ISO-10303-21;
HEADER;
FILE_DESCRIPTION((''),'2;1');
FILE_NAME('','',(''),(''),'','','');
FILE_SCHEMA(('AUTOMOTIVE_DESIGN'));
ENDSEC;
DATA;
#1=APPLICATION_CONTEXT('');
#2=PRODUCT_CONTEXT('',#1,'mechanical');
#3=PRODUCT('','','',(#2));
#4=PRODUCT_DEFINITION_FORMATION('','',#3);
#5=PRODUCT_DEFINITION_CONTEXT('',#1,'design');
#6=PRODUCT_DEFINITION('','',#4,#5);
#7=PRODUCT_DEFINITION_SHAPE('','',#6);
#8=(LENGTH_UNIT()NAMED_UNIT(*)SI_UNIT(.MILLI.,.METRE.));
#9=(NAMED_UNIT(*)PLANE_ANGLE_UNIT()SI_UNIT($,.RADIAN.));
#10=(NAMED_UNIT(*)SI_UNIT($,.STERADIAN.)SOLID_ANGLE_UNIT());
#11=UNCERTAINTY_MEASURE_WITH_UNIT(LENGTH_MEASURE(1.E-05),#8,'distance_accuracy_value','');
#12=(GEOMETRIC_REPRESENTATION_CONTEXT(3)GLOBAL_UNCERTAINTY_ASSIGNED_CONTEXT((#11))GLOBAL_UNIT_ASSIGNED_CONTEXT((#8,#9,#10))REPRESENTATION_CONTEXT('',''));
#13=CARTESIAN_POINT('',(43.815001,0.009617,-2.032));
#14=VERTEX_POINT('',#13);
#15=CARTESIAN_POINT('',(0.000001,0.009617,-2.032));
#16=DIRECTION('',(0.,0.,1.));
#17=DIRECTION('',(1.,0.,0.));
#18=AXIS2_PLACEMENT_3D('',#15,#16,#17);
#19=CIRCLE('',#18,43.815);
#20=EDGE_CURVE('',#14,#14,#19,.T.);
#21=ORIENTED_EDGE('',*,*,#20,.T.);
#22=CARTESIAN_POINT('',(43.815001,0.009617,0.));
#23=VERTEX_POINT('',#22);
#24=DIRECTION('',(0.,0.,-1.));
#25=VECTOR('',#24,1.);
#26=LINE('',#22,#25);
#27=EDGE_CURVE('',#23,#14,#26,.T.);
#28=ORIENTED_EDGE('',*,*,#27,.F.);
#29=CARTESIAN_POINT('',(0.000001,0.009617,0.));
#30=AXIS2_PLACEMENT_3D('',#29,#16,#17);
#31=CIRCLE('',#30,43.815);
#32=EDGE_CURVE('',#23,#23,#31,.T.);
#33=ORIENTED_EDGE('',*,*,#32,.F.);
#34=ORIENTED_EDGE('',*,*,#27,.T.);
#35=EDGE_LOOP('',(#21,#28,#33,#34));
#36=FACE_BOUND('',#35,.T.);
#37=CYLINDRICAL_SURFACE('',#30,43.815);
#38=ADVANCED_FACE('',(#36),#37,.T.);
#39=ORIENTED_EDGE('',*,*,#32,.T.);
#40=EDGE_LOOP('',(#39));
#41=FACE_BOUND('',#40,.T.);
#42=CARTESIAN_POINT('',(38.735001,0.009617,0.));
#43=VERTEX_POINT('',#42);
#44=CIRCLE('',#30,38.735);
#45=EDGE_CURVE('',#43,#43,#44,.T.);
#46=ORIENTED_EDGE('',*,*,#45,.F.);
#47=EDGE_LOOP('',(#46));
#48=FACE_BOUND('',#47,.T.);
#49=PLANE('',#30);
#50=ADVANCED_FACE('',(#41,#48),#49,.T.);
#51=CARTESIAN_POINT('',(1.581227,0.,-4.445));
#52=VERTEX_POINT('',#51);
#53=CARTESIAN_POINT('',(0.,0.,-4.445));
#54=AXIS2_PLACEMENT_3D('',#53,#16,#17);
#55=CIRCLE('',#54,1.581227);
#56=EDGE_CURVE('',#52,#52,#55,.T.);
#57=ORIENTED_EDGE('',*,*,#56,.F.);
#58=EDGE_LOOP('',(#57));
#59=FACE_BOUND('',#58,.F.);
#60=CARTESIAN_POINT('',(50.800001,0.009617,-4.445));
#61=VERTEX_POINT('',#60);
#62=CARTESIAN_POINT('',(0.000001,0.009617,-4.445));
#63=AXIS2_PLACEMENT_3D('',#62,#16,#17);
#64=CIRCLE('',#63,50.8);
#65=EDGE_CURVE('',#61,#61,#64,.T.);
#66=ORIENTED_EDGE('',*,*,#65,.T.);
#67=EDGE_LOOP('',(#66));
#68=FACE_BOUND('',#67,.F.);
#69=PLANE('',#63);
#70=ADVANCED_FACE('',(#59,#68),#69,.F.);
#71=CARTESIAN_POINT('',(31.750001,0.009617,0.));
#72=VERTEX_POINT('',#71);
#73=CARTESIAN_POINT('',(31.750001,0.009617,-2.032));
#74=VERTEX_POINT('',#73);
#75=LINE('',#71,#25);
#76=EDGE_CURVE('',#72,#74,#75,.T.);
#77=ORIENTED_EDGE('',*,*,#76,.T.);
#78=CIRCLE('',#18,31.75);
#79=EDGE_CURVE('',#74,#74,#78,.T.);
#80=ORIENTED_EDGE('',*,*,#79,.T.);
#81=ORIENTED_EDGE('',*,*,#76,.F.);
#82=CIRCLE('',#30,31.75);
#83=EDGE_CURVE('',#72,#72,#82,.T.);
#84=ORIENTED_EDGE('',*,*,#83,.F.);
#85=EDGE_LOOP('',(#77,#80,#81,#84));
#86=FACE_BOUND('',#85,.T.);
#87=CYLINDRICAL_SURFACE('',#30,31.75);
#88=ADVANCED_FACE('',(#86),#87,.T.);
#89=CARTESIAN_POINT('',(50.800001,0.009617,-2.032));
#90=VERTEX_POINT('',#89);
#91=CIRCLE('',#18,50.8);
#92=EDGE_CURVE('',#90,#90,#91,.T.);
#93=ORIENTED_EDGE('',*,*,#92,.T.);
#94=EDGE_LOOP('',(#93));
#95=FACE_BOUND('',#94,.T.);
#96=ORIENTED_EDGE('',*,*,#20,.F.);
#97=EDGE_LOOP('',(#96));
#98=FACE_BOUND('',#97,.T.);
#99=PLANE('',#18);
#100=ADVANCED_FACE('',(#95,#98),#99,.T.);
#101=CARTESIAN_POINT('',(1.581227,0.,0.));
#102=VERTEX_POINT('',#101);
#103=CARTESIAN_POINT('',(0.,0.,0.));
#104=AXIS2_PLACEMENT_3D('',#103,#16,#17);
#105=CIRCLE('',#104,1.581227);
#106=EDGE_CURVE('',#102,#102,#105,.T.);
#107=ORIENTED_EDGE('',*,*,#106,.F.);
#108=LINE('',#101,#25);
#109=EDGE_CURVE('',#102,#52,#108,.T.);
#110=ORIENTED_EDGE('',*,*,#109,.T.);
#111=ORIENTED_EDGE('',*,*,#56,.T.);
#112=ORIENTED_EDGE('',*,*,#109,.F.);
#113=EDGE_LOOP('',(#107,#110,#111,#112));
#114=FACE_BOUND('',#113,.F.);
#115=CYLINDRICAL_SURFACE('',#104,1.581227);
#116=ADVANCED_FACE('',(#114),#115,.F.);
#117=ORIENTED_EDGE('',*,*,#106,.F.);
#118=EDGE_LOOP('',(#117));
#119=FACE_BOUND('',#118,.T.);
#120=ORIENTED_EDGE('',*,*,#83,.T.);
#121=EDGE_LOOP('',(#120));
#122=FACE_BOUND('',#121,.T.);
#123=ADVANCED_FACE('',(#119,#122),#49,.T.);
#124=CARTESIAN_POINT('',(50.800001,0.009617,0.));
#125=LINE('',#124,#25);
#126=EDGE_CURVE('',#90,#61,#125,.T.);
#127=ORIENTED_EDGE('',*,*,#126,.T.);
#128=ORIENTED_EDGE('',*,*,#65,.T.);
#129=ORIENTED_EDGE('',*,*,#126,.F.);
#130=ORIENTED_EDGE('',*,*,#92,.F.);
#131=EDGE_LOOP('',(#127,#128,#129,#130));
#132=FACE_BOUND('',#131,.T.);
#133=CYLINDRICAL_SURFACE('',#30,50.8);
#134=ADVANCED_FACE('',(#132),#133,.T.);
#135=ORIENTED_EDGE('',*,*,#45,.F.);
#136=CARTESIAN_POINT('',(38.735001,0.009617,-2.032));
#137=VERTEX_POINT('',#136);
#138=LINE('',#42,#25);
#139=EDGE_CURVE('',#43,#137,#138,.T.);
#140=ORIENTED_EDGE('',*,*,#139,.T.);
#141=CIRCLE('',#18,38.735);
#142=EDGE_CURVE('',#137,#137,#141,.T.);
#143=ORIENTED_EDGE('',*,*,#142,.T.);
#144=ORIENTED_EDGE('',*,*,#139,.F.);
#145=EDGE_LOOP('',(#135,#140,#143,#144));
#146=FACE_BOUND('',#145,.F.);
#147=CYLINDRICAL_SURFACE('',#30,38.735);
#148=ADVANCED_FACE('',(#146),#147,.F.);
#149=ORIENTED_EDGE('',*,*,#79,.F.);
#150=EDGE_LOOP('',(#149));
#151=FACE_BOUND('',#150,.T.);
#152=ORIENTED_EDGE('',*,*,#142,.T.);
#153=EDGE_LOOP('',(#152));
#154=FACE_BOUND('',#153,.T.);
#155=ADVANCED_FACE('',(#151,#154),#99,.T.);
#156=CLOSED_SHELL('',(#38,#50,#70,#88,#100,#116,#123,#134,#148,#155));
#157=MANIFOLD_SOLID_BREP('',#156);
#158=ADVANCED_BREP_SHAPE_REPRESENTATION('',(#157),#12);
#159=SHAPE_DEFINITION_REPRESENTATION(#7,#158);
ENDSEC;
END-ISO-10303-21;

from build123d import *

# Parameters (mm, degrees)
F0_R     = 50.8
F0_R_2   = 43.815
F0_R_3   = 38.735
F0_R_4   = 31.75
F0_R_5   = 1.581227411
F1_DEPTH = 4.445
F2_DEPTH = 2.032


with BuildPart() as f1:
    # F0 (on Top) → F1 (new body)
    with BuildSketch(Plane.XY):
        with Locations((1.2696e-06, 0.0096165841)):
            Circle(F0_R)
        with Locations((1.2696e-06, 0.0096165841)):
            Circle(F0_R_2, mode=Mode.SUBTRACT)
        with Locations((1.2696e-06, 0.0096165841)):
            Circle(F0_R_2)
        with Locations((1.2696e-06, 0.0096165841)):
            Circle(F0_R_3, mode=Mode.SUBTRACT)
        with Locations((1.2696e-06, 0.0096165841)):
            Circle(F0_R_3)
        with Locations((1.2696e-06, 0.0096165841)):
            Circle(F0_R_4, mode=Mode.SUBTRACT)
        with Locations((1.2696e-06, 0.0096165841)):
            Circle(F0_R_4)
        Circle(F0_R_5, mode=Mode.SUBTRACT)
    extrude(amount=-F1_DEPTH)

    # F0 (on Top) → F2 (cut)
    with BuildSketch(Plane.XY):
        with Locations((1.2696e-06, 0.0096165841)):
            Circle(F0_R)
        with Locations((1.2696e-06, 0.0096165841)):
            Circle(F0_R_2, mode=Mode.SUBTRACT)
        with Locations((1.2696e-06, 0.0096165841)):
            Circle(F0_R_3)
        with Locations((1.2696e-06, 0.0096165841)):
            Circle(F0_R_4, mode=Mode.SUBTRACT)
    extrude(amount=-F2_DEPTH, mode=Mode.SUBTRACT)


solid = f1.part
